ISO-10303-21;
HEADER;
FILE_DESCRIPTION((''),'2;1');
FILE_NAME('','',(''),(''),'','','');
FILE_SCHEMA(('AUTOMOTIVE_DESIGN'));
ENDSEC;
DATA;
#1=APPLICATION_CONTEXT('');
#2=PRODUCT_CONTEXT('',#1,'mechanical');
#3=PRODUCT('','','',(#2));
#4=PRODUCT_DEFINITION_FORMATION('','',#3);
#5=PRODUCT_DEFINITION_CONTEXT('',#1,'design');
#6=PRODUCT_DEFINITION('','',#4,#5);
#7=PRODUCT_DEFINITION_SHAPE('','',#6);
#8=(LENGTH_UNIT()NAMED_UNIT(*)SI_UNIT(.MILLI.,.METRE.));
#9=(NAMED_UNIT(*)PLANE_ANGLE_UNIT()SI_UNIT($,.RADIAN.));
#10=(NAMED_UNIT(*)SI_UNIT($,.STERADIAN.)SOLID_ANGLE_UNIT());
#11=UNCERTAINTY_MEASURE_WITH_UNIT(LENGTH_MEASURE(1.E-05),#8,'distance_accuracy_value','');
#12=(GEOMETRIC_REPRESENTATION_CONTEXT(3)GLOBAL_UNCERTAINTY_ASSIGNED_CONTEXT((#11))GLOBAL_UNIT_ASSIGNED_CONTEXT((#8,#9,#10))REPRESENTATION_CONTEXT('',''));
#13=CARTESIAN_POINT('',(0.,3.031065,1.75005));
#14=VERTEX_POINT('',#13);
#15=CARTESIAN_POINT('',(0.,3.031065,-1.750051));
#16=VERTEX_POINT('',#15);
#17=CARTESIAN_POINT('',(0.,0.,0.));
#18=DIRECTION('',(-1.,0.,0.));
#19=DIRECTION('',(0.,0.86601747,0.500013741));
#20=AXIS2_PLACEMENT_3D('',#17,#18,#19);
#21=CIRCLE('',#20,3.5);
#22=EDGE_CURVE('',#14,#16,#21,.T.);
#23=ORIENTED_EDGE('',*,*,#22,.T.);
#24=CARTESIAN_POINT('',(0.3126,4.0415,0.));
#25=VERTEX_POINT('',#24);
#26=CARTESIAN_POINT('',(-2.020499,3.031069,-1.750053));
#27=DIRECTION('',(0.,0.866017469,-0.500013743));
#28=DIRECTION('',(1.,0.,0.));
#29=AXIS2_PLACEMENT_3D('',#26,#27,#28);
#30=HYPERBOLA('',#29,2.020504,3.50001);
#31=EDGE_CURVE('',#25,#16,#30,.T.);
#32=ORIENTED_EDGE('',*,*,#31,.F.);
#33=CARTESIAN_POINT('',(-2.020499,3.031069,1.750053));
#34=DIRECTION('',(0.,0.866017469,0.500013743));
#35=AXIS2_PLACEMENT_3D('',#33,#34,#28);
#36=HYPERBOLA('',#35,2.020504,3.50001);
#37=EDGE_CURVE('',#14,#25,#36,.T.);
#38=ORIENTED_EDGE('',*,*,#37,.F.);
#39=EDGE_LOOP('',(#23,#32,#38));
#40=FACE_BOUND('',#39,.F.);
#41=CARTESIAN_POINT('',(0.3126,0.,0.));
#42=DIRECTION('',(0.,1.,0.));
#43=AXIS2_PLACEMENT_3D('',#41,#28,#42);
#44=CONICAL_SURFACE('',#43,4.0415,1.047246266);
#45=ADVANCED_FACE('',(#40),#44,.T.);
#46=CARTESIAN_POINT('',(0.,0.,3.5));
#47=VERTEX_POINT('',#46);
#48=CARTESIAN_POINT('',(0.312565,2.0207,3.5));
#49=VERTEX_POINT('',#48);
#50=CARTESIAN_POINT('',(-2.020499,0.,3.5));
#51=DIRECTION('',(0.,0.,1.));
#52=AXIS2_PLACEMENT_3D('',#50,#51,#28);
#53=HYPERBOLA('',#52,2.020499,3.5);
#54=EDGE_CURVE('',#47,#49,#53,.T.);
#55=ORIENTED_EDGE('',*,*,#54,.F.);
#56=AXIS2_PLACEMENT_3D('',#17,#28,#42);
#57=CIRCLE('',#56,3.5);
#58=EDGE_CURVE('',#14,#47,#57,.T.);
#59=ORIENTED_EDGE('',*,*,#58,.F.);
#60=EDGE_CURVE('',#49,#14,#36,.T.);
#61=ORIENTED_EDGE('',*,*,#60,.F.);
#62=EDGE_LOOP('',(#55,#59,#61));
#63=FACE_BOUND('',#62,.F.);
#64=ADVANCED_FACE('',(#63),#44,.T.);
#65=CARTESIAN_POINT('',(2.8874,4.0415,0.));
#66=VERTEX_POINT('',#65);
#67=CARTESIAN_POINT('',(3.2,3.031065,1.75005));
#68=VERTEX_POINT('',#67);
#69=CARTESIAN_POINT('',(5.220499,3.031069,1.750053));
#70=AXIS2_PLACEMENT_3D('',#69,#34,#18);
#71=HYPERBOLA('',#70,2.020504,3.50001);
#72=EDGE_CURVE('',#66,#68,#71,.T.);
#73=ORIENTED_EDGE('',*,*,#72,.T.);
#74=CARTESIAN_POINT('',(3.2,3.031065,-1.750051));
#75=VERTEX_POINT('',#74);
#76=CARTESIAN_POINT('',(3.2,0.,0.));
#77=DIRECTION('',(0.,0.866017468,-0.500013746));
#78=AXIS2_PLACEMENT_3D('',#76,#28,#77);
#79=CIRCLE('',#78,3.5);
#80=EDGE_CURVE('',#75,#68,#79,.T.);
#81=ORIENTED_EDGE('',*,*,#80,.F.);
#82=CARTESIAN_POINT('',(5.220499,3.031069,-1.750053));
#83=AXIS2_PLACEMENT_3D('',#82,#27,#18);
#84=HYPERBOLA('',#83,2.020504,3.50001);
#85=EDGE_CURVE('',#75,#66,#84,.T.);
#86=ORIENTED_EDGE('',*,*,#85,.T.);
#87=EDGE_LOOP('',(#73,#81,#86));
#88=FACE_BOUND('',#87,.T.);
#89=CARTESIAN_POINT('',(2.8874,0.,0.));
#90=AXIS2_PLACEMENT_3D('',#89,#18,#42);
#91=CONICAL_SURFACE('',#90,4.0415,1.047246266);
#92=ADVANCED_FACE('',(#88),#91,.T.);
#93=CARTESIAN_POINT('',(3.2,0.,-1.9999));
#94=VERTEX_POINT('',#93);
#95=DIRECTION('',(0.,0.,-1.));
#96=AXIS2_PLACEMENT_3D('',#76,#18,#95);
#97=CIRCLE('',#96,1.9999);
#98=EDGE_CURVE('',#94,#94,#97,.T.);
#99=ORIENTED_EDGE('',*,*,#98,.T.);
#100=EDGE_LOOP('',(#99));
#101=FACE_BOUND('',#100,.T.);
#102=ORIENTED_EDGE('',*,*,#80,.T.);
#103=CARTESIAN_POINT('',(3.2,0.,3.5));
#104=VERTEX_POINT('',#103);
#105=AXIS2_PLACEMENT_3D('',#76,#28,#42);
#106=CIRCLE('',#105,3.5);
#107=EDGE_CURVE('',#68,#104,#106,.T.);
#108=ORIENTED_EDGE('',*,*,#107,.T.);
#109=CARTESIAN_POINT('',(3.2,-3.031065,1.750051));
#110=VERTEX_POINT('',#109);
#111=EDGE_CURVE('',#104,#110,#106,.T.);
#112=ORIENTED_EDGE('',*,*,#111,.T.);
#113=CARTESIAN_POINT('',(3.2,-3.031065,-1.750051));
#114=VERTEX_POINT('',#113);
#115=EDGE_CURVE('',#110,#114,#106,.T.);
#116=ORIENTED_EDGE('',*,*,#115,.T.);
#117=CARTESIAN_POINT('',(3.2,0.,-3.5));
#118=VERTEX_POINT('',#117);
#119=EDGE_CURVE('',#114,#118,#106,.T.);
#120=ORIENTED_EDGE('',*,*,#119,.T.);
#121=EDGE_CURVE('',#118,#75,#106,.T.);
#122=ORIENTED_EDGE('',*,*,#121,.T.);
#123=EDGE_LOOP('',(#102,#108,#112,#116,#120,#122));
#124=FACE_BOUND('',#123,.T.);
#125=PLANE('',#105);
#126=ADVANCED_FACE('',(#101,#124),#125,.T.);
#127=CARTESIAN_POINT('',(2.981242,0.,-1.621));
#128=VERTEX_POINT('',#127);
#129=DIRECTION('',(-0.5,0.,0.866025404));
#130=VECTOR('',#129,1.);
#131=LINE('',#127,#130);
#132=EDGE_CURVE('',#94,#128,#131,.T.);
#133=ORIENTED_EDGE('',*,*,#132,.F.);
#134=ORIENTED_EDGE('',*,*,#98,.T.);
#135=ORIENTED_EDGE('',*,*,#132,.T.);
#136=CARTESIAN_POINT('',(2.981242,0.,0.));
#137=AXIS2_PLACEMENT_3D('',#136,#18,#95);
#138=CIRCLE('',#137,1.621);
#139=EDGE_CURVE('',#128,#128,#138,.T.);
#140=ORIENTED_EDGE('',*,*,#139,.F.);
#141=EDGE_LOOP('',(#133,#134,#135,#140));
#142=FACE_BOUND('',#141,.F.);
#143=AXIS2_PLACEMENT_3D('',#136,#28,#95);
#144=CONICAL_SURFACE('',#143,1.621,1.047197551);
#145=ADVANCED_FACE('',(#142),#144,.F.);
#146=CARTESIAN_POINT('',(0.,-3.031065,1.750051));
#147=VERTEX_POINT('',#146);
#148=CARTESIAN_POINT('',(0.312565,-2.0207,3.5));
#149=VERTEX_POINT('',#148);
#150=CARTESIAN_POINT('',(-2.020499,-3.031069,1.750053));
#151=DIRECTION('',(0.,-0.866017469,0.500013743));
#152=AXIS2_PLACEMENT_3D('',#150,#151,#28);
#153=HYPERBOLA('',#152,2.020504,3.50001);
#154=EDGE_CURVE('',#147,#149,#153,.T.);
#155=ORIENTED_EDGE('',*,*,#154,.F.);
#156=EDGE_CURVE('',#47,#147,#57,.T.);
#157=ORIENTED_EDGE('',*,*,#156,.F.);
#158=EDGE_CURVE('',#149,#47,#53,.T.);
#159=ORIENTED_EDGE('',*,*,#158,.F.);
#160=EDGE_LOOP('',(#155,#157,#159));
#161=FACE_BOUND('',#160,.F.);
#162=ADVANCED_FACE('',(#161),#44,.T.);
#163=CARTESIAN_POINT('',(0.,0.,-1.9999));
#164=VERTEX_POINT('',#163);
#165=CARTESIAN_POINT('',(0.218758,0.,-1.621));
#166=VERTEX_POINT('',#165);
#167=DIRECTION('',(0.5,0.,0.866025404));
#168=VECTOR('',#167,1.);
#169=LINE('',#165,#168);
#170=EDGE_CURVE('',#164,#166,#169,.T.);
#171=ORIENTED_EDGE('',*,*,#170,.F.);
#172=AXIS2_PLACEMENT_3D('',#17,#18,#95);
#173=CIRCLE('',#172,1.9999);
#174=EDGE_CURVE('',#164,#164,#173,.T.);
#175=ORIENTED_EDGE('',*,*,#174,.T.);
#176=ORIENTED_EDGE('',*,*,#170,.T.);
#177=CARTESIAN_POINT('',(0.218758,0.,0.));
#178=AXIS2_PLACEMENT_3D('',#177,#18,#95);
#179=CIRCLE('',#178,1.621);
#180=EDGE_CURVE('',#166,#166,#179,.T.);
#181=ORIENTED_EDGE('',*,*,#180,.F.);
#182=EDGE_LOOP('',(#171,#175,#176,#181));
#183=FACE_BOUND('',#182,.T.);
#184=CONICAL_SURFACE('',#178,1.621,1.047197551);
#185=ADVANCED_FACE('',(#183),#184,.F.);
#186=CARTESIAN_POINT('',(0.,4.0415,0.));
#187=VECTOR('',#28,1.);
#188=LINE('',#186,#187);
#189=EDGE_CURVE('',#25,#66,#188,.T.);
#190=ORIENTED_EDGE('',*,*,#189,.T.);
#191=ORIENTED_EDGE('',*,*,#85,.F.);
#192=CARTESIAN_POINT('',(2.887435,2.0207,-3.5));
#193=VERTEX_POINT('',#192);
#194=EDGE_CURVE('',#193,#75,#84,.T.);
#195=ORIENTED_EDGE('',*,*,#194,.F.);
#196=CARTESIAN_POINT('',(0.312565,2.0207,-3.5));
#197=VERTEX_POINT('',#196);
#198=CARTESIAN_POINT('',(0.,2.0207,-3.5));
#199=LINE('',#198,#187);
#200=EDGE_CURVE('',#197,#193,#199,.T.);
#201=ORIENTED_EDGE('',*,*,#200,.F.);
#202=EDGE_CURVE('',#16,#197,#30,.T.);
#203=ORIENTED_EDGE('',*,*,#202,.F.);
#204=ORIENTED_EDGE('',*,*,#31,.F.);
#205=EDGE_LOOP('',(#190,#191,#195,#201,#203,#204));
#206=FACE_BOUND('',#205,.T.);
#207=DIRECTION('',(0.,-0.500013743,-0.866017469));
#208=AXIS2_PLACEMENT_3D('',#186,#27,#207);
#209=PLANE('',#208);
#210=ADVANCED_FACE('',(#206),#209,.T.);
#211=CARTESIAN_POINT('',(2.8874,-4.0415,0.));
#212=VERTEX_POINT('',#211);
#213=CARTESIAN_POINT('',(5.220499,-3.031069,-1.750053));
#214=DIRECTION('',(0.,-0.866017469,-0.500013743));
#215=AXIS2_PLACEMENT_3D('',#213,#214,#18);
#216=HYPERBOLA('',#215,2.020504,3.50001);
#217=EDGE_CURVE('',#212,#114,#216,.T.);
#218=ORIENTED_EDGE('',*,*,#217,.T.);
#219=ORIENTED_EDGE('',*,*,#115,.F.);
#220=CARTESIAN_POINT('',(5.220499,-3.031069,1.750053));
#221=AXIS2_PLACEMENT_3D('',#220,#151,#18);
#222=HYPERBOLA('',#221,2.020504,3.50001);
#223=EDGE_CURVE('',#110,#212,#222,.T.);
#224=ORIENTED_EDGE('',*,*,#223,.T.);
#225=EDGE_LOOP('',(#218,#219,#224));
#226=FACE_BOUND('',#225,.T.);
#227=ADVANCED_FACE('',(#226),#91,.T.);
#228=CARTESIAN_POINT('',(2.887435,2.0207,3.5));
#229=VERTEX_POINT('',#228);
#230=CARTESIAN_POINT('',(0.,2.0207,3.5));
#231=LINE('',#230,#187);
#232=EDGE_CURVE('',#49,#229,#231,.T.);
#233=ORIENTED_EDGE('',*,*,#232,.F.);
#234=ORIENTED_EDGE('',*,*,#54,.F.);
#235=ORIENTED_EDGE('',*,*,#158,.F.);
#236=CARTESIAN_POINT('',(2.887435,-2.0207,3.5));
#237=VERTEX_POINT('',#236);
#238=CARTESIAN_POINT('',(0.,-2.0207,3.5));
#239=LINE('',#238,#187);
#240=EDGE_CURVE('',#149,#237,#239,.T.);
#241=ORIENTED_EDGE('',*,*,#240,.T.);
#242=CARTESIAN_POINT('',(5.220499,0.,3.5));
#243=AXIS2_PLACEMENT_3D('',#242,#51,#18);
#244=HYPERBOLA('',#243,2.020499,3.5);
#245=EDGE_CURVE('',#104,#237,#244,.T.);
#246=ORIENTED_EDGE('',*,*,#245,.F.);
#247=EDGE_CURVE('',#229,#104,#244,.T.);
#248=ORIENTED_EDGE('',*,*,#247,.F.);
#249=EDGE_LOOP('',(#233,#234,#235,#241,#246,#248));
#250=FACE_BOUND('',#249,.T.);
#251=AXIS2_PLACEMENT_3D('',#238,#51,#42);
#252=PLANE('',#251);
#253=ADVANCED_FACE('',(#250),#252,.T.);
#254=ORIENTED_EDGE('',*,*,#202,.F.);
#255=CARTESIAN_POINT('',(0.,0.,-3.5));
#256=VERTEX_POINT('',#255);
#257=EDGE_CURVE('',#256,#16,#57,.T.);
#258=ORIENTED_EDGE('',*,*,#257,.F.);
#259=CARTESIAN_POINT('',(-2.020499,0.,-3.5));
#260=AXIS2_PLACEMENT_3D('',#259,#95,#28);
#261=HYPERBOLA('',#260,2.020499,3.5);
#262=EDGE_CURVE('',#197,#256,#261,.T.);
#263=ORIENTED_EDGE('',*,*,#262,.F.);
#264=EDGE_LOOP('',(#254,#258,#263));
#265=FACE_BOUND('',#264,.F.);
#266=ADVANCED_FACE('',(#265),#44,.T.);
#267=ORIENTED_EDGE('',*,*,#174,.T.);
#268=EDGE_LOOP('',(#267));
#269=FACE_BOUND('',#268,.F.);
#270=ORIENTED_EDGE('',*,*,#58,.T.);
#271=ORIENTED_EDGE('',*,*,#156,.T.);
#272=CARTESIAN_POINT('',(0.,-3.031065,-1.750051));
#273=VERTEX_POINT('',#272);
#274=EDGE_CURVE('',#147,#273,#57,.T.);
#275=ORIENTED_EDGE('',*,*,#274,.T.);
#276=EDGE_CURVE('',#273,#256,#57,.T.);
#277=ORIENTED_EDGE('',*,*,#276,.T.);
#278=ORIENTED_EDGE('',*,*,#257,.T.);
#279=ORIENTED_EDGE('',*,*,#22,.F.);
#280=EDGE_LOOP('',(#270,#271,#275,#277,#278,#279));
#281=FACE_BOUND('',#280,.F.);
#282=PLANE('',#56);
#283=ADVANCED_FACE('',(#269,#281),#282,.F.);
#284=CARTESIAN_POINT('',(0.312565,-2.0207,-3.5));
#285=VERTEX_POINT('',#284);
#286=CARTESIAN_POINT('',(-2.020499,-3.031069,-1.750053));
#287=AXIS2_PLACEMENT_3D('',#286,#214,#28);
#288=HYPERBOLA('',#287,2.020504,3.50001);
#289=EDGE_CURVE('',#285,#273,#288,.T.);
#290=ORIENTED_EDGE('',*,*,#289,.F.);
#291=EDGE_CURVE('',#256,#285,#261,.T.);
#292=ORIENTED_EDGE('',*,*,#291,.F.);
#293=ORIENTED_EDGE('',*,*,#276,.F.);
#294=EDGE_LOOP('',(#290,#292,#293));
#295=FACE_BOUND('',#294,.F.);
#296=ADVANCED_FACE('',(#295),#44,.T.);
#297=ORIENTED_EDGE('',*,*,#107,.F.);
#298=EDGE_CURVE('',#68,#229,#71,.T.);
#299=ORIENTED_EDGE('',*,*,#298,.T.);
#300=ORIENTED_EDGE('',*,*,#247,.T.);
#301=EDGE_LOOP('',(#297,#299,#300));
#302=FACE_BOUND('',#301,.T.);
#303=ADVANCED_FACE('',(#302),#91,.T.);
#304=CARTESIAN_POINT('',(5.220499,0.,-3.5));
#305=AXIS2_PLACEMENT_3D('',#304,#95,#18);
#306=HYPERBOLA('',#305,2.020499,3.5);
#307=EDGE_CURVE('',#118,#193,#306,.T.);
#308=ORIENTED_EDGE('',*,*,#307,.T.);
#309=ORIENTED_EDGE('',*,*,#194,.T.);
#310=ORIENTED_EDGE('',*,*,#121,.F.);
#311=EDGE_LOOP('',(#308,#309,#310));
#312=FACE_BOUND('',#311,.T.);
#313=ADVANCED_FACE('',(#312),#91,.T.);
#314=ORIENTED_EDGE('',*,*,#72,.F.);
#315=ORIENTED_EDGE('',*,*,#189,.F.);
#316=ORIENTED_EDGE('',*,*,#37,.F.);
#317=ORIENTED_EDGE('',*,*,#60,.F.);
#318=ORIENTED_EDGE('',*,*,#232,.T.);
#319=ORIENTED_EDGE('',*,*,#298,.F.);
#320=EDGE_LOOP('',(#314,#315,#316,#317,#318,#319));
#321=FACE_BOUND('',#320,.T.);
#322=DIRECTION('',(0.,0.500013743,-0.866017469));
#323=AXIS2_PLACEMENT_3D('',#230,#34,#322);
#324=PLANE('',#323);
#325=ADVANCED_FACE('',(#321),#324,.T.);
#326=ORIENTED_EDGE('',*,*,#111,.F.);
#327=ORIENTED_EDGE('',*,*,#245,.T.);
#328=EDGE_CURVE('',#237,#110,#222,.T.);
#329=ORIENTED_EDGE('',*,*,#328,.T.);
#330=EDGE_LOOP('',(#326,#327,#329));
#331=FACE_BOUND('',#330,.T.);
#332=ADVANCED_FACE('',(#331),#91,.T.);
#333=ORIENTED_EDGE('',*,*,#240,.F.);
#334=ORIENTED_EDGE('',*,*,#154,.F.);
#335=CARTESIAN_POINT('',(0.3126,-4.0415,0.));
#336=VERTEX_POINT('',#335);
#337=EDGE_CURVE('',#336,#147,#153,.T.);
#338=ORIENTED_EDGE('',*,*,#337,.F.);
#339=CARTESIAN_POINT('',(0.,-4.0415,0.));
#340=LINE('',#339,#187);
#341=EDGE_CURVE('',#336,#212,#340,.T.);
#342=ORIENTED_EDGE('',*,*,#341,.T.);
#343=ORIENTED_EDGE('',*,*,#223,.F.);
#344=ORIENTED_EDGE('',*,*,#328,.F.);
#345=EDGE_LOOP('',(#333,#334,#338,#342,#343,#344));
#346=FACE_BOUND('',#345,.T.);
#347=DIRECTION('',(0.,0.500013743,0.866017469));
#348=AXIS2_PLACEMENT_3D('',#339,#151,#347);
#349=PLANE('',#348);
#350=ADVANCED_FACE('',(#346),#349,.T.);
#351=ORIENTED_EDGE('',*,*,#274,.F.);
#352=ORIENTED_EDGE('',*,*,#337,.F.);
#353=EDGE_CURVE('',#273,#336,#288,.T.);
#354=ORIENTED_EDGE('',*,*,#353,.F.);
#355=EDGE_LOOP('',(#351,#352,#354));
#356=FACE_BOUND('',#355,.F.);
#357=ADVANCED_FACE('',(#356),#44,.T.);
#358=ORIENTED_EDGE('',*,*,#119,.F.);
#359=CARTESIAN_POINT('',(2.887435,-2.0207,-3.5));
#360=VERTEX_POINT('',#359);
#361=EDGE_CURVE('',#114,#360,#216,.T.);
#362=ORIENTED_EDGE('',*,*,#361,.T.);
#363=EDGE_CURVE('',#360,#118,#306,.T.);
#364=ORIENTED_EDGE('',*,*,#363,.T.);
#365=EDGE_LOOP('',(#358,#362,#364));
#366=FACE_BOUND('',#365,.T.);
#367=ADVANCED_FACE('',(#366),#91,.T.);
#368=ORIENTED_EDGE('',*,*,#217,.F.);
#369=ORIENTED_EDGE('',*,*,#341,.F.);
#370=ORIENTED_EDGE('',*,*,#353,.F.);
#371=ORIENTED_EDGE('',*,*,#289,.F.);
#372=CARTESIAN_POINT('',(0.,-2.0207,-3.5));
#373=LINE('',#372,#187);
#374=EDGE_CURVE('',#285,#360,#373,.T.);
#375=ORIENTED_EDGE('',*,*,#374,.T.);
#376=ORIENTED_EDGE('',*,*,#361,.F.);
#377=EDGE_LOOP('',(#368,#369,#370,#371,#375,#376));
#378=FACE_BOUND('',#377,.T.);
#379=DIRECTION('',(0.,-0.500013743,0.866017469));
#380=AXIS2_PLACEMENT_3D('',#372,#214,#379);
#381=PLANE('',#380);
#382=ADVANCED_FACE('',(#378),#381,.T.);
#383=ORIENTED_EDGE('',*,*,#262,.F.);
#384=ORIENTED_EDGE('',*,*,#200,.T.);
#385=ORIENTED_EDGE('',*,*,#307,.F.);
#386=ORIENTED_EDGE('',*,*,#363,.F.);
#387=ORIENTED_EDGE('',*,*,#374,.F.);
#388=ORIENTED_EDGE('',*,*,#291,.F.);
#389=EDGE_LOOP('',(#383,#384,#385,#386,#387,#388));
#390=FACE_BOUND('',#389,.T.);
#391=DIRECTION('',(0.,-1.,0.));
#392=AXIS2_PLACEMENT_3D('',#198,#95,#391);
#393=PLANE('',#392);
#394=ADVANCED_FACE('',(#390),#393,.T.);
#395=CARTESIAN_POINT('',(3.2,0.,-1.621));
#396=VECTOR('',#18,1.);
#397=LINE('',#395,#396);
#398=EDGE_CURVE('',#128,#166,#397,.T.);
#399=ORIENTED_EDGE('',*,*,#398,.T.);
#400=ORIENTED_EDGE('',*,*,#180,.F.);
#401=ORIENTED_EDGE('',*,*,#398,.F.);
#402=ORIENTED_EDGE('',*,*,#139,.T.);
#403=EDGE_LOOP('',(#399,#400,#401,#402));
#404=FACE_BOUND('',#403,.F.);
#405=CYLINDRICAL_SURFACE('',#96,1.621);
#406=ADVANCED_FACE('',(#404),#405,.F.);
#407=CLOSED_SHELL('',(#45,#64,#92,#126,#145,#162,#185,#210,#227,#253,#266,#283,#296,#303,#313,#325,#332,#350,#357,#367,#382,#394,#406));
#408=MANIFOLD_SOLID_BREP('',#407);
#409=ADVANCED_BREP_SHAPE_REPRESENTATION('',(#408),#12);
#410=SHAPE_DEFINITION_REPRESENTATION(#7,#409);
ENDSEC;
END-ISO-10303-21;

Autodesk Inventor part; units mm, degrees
ref_plane "YZ Plane" through (0, 0, 0) normal (1, 0, 0) x (0, 1, 0)
ref_plane "XZ Plane" through (0, 0, 0) normal (0, 1, 0) x (-1, 0, 0)
sketch "Boceto1" plane through (0, 0, 0) normal (1, 0, 0) x (0, 1, 0)
  line L0 (-4.0415, 0) -> (-2.0207, 3.5)
  line L1 (-2.0207, 3.5) -> (2.0207, 3.5)
  line L2 (2.0207, 3.5) -> (4.0415, 0)
  line L3 (4.0415, 0) -> (2.0207, -3.5)
  line L4 (2.0207, -3.5) -> (-2.0207, -3.5)
  line L5 (-2.0207, -3.5) -> (-4.0415, 0)
  point P0 (0, 0)
  point P1 (0, 0)
  dimension "d0" = 8.0829
extrude "Cuerpo" add sketch "Boceto1" along normal blind 3.2
sketch "Boceto2" plane through (0, 0, 0) normal (0, 0, 1) x (1, 0, 0)
  line L0 (0, 2.0207) -> (0, 4.0415) projected
  line L1 (0, 4.0415) -> (3.2, 4.0415) projected
  line L2 (3.2, 2.0207) -> (3.2, 4.0415) projected
  line L3 (-0.64, 0) -> (3.84, 0) projected
  line L4 (0.3126, 4.0415) -> (0, 3.5)
  line L5 (2.8874, 4.0415) -> (3.2, 3.5)
  dimension "d3" = 30
  dimension "d4" = 30
  dimension "d5" = 7
  dimension "d6" = 7
revolve "Chaflán1" cut sketch "Boceto2" angle 360 about axis through (-10, 0, 0) along (1, 0, 0)
sketch "Boceto3" plane through (3.2, 0, 0) normal (1, 0, 0) x (0, 0, -1)
  arc A0 (-1.75, -3.0311) -> (1.75, -3.0311) centre (0, 0) ccw projected
hole "Rosca" at (3.2, 0, 0) direction (-1, 0, 0) diameter 3.242 end through all thread size "M4x0.7" class "6H" standard "ISO Metric profile"
chamfer "Chaflán2" distance 0.3789 angle 30 1 edges at (3.2, 0, 1.621) measured on face at (3.2, 2.8569, -0.0651)
chamfer "Chaflán3" distance 0.3789 angle 30 1 edges at (0, 0, 1.621) measured on face at (0, 2.8569, -0.0651)
ref_plane "Work Plane1" through (-7.9612, 0, 0) normal (0, -0.866, -0.5) x (1, 0, 0)
equation "\"d0\" = 1.1547 * SW"
equation "\"d1\" = KOH"
equation "\"d3\" = ANG1"
equation "\"d4\" = ANG2"
equation "\"d5\" = SW0"
equation "\"d6\" = SW01"
equation "\"d8\" = -0.5 * GD1 + 0.5 * NND"
equation "\"d40\" = -0.5 * GD1 + 0.5 * NND"
equation "\"d10\" = -0.5 * GD1 + 0.5 * NND"
equation "\"d41\" = -0.5 * GD1 + 0.5 * NND"
equation "\"ANG1\" = 30deg"
equation "\"ANG2\" = 30deg"
equation "\"NND\" = 4"
equation "\"KOH\" = 3.2"
equation "\"SW\" = 7"
equation "\"SW0\" = SW"
equation "\"SW01\" = SW"
equation "\"GUL\" = 0.541266 * PTC"
equation "\"WFT\" = 0.4"
equation "\"THREADDIA\" = 4"
equation "\"TOA\" = 30deg"
equation "\"PTC\" = 0.7"
equation "\"E0\" = 1.155 * SW"
equation "\"GAL\" = 0.541266 * PTC"
equation "\"GD1\" = 3.242228"
properties part number "AS 1112 - M4  Tipo 5" material "Acero, suave"
